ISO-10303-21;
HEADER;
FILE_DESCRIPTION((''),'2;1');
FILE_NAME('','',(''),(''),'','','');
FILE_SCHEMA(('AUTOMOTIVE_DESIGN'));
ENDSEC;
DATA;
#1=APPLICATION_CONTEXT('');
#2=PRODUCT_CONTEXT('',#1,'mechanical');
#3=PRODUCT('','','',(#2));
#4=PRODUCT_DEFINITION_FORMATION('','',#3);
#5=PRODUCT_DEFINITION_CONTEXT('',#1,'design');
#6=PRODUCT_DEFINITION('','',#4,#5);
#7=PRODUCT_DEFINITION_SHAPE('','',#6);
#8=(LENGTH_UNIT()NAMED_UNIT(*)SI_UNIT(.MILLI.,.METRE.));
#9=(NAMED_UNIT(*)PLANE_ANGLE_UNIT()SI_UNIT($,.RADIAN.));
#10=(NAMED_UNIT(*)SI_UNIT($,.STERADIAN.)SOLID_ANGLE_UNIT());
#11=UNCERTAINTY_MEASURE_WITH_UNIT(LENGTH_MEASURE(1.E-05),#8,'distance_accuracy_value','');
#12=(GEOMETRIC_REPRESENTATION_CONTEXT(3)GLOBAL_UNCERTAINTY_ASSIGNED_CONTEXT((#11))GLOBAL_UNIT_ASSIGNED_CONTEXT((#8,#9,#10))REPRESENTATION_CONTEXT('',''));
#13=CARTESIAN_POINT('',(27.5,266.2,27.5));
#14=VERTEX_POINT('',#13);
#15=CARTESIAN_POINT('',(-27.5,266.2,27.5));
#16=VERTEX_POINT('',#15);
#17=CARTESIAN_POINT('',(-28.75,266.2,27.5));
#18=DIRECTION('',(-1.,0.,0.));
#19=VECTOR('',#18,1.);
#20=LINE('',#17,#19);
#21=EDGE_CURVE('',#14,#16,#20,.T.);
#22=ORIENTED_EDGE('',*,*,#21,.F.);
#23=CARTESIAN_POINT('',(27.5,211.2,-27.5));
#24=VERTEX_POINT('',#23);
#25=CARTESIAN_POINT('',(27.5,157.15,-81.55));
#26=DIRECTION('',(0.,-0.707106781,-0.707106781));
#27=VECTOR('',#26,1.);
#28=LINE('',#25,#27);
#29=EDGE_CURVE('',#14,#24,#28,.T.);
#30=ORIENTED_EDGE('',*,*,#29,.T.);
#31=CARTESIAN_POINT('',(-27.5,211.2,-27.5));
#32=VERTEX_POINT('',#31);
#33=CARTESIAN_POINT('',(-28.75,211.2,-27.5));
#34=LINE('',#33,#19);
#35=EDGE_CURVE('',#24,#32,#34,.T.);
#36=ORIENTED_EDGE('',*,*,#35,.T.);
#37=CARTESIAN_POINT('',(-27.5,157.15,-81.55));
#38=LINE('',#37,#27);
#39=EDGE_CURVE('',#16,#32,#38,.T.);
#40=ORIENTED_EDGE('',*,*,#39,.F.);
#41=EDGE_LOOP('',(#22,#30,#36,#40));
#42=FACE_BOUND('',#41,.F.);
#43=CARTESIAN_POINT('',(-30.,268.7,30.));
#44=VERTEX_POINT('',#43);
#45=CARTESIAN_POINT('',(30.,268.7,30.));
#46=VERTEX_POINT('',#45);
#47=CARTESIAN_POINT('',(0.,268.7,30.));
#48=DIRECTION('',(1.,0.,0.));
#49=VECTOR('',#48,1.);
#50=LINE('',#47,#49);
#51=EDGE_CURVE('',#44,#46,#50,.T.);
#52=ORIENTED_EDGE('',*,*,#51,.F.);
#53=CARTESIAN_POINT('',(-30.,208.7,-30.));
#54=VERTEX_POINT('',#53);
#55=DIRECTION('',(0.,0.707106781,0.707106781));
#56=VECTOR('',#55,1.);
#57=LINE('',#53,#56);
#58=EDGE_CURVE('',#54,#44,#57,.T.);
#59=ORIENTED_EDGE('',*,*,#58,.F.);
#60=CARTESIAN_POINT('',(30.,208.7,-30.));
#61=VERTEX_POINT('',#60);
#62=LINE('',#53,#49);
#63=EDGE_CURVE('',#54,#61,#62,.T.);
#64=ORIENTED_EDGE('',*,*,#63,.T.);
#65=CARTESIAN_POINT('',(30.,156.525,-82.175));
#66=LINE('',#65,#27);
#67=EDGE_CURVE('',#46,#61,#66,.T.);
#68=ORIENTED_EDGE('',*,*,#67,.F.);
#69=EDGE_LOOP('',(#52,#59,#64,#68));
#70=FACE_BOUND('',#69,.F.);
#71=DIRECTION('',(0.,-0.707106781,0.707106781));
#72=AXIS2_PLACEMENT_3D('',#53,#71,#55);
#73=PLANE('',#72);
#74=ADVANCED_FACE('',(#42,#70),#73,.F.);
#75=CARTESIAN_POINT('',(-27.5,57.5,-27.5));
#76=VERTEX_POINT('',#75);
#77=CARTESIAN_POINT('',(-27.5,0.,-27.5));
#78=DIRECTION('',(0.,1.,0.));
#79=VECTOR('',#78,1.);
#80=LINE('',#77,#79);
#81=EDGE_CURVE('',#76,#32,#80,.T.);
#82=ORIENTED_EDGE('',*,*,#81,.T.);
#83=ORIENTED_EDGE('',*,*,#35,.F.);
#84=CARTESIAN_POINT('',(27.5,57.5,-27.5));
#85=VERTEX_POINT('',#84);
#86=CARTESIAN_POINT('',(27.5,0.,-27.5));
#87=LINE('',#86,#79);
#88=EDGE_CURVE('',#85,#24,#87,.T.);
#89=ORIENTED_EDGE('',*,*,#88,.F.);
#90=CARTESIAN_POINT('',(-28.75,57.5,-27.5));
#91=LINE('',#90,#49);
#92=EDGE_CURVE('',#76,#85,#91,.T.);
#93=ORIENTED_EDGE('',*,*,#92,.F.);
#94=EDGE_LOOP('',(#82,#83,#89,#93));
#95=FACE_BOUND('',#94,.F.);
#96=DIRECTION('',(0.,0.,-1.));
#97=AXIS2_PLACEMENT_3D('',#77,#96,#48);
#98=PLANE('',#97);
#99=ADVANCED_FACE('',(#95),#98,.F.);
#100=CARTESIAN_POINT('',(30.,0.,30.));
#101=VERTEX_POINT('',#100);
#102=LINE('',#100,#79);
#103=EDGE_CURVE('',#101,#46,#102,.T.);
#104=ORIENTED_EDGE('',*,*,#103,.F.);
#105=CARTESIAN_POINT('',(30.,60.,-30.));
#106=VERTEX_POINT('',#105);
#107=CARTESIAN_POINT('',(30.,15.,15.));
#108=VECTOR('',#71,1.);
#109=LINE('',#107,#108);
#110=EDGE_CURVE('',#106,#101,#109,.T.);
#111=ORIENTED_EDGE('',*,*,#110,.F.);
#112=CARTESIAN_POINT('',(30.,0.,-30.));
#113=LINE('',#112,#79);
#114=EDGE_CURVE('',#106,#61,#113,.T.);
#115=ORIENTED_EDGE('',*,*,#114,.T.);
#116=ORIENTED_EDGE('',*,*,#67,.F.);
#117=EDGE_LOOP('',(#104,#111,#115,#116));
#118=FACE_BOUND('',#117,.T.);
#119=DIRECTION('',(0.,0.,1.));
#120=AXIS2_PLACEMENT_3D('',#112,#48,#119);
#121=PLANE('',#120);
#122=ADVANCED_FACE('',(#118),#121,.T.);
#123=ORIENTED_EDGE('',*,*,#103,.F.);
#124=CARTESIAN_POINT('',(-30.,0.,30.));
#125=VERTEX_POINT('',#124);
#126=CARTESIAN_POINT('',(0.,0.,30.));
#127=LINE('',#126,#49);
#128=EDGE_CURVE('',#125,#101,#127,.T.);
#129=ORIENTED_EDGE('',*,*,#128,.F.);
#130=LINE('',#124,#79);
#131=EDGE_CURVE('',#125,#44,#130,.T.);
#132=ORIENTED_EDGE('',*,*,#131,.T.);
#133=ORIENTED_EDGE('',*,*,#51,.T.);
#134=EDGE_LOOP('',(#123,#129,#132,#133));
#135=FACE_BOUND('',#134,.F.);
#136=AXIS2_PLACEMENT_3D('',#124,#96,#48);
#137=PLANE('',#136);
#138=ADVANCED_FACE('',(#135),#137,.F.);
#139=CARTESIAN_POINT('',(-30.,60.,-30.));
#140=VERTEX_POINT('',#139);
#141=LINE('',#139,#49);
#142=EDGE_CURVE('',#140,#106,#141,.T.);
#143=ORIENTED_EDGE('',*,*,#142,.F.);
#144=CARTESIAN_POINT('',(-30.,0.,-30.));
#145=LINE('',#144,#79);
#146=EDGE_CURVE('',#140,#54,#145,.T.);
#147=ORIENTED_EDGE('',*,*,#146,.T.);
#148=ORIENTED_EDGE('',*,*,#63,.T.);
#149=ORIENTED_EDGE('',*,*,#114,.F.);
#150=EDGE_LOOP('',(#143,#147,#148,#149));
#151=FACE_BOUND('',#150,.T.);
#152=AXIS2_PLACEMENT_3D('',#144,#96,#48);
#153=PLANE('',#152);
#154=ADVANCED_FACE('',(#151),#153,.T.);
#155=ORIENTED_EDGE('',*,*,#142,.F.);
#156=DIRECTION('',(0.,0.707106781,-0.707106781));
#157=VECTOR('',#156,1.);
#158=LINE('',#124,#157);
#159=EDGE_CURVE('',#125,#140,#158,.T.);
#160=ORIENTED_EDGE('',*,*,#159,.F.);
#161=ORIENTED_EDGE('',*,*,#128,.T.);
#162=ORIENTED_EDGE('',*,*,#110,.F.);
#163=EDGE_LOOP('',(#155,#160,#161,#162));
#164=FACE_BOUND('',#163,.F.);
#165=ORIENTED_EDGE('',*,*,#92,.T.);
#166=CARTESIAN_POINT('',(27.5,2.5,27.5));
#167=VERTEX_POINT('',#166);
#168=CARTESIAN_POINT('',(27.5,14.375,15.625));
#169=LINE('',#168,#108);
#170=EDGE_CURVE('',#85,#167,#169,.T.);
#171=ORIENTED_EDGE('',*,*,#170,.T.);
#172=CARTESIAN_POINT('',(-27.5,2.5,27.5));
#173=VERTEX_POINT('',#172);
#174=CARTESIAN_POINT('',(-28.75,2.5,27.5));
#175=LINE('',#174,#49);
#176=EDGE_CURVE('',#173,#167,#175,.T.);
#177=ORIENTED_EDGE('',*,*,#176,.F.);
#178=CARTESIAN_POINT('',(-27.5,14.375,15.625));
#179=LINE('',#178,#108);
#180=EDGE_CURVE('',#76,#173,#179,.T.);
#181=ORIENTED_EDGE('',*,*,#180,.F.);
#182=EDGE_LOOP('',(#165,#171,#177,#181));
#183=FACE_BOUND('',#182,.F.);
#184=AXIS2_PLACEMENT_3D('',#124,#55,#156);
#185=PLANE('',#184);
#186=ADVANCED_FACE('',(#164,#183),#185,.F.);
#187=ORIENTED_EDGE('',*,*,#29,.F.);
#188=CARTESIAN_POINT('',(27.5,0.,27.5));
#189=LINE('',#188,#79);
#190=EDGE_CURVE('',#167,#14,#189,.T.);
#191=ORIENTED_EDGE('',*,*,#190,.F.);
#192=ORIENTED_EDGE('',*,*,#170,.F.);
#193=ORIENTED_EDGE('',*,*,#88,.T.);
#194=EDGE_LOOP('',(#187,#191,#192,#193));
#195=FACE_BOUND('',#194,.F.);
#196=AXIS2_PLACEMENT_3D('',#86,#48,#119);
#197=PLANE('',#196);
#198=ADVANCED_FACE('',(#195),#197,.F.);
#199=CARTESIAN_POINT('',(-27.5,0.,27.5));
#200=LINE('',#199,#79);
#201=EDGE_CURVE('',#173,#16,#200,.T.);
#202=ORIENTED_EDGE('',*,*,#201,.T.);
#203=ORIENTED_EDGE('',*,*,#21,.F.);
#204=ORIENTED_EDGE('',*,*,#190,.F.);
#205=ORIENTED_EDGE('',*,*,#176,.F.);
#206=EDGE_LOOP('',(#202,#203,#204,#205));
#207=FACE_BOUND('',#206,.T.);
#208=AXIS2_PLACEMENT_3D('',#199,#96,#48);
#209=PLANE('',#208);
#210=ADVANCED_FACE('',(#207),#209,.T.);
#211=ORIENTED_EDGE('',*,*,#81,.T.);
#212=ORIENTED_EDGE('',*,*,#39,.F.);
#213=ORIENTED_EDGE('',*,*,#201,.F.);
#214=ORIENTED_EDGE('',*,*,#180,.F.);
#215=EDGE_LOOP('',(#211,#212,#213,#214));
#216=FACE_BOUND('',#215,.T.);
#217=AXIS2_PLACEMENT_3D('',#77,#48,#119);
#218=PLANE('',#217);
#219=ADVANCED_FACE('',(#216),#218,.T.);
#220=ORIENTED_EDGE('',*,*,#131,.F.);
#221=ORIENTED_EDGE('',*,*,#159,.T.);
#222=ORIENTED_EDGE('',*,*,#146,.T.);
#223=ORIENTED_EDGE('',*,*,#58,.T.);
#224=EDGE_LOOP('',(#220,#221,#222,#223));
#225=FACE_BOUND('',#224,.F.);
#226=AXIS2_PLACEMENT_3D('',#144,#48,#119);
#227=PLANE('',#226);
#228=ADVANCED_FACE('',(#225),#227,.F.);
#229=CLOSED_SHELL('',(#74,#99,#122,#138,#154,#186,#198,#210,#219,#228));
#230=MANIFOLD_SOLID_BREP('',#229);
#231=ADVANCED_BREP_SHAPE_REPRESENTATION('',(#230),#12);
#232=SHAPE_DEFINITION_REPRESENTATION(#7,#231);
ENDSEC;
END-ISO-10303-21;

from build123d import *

# Parameters (mm, degrees)
F0_W          = 60
F0_H          = 60
F0_W_2        = 55
F0_H_2        = 55
F1_DEPTH      = 268.7
F3_DEPTH      = 75
F3_DEPTH_BACK = 75


with BuildPart() as f1:
    # F0 (on Front) → F1 (new body)
    with BuildSketch(Plane.XZ):
        Rectangle(F0_W, F0_H)
        Rectangle(F0_W_2, F0_H_2, mode=Mode.SUBTRACT)
    extrude(amount=-F1_DEPTH)

    # F2 (on face) → F3 (cut, two sides)
    with BuildSketch(Plane(origin=(-30, 0, 0), x_dir=(0, -1, 0), z_dir=(-1, 0, 0))) as f3_sk:
        Polygon((0, -30), (0, 30), (-60, -30), align=None)
        Polygon((-208.7, -30), (-268.7, 30), (-268.7, -30), align=None)
    extrude(amount=-F3_DEPTH, mode=Mode.SUBTRACT)
    extrude(f3_sk.sketch, amount=-F3_DEPTH_BACK, mode=Mode.SUBTRACT)


solid = f1.part
